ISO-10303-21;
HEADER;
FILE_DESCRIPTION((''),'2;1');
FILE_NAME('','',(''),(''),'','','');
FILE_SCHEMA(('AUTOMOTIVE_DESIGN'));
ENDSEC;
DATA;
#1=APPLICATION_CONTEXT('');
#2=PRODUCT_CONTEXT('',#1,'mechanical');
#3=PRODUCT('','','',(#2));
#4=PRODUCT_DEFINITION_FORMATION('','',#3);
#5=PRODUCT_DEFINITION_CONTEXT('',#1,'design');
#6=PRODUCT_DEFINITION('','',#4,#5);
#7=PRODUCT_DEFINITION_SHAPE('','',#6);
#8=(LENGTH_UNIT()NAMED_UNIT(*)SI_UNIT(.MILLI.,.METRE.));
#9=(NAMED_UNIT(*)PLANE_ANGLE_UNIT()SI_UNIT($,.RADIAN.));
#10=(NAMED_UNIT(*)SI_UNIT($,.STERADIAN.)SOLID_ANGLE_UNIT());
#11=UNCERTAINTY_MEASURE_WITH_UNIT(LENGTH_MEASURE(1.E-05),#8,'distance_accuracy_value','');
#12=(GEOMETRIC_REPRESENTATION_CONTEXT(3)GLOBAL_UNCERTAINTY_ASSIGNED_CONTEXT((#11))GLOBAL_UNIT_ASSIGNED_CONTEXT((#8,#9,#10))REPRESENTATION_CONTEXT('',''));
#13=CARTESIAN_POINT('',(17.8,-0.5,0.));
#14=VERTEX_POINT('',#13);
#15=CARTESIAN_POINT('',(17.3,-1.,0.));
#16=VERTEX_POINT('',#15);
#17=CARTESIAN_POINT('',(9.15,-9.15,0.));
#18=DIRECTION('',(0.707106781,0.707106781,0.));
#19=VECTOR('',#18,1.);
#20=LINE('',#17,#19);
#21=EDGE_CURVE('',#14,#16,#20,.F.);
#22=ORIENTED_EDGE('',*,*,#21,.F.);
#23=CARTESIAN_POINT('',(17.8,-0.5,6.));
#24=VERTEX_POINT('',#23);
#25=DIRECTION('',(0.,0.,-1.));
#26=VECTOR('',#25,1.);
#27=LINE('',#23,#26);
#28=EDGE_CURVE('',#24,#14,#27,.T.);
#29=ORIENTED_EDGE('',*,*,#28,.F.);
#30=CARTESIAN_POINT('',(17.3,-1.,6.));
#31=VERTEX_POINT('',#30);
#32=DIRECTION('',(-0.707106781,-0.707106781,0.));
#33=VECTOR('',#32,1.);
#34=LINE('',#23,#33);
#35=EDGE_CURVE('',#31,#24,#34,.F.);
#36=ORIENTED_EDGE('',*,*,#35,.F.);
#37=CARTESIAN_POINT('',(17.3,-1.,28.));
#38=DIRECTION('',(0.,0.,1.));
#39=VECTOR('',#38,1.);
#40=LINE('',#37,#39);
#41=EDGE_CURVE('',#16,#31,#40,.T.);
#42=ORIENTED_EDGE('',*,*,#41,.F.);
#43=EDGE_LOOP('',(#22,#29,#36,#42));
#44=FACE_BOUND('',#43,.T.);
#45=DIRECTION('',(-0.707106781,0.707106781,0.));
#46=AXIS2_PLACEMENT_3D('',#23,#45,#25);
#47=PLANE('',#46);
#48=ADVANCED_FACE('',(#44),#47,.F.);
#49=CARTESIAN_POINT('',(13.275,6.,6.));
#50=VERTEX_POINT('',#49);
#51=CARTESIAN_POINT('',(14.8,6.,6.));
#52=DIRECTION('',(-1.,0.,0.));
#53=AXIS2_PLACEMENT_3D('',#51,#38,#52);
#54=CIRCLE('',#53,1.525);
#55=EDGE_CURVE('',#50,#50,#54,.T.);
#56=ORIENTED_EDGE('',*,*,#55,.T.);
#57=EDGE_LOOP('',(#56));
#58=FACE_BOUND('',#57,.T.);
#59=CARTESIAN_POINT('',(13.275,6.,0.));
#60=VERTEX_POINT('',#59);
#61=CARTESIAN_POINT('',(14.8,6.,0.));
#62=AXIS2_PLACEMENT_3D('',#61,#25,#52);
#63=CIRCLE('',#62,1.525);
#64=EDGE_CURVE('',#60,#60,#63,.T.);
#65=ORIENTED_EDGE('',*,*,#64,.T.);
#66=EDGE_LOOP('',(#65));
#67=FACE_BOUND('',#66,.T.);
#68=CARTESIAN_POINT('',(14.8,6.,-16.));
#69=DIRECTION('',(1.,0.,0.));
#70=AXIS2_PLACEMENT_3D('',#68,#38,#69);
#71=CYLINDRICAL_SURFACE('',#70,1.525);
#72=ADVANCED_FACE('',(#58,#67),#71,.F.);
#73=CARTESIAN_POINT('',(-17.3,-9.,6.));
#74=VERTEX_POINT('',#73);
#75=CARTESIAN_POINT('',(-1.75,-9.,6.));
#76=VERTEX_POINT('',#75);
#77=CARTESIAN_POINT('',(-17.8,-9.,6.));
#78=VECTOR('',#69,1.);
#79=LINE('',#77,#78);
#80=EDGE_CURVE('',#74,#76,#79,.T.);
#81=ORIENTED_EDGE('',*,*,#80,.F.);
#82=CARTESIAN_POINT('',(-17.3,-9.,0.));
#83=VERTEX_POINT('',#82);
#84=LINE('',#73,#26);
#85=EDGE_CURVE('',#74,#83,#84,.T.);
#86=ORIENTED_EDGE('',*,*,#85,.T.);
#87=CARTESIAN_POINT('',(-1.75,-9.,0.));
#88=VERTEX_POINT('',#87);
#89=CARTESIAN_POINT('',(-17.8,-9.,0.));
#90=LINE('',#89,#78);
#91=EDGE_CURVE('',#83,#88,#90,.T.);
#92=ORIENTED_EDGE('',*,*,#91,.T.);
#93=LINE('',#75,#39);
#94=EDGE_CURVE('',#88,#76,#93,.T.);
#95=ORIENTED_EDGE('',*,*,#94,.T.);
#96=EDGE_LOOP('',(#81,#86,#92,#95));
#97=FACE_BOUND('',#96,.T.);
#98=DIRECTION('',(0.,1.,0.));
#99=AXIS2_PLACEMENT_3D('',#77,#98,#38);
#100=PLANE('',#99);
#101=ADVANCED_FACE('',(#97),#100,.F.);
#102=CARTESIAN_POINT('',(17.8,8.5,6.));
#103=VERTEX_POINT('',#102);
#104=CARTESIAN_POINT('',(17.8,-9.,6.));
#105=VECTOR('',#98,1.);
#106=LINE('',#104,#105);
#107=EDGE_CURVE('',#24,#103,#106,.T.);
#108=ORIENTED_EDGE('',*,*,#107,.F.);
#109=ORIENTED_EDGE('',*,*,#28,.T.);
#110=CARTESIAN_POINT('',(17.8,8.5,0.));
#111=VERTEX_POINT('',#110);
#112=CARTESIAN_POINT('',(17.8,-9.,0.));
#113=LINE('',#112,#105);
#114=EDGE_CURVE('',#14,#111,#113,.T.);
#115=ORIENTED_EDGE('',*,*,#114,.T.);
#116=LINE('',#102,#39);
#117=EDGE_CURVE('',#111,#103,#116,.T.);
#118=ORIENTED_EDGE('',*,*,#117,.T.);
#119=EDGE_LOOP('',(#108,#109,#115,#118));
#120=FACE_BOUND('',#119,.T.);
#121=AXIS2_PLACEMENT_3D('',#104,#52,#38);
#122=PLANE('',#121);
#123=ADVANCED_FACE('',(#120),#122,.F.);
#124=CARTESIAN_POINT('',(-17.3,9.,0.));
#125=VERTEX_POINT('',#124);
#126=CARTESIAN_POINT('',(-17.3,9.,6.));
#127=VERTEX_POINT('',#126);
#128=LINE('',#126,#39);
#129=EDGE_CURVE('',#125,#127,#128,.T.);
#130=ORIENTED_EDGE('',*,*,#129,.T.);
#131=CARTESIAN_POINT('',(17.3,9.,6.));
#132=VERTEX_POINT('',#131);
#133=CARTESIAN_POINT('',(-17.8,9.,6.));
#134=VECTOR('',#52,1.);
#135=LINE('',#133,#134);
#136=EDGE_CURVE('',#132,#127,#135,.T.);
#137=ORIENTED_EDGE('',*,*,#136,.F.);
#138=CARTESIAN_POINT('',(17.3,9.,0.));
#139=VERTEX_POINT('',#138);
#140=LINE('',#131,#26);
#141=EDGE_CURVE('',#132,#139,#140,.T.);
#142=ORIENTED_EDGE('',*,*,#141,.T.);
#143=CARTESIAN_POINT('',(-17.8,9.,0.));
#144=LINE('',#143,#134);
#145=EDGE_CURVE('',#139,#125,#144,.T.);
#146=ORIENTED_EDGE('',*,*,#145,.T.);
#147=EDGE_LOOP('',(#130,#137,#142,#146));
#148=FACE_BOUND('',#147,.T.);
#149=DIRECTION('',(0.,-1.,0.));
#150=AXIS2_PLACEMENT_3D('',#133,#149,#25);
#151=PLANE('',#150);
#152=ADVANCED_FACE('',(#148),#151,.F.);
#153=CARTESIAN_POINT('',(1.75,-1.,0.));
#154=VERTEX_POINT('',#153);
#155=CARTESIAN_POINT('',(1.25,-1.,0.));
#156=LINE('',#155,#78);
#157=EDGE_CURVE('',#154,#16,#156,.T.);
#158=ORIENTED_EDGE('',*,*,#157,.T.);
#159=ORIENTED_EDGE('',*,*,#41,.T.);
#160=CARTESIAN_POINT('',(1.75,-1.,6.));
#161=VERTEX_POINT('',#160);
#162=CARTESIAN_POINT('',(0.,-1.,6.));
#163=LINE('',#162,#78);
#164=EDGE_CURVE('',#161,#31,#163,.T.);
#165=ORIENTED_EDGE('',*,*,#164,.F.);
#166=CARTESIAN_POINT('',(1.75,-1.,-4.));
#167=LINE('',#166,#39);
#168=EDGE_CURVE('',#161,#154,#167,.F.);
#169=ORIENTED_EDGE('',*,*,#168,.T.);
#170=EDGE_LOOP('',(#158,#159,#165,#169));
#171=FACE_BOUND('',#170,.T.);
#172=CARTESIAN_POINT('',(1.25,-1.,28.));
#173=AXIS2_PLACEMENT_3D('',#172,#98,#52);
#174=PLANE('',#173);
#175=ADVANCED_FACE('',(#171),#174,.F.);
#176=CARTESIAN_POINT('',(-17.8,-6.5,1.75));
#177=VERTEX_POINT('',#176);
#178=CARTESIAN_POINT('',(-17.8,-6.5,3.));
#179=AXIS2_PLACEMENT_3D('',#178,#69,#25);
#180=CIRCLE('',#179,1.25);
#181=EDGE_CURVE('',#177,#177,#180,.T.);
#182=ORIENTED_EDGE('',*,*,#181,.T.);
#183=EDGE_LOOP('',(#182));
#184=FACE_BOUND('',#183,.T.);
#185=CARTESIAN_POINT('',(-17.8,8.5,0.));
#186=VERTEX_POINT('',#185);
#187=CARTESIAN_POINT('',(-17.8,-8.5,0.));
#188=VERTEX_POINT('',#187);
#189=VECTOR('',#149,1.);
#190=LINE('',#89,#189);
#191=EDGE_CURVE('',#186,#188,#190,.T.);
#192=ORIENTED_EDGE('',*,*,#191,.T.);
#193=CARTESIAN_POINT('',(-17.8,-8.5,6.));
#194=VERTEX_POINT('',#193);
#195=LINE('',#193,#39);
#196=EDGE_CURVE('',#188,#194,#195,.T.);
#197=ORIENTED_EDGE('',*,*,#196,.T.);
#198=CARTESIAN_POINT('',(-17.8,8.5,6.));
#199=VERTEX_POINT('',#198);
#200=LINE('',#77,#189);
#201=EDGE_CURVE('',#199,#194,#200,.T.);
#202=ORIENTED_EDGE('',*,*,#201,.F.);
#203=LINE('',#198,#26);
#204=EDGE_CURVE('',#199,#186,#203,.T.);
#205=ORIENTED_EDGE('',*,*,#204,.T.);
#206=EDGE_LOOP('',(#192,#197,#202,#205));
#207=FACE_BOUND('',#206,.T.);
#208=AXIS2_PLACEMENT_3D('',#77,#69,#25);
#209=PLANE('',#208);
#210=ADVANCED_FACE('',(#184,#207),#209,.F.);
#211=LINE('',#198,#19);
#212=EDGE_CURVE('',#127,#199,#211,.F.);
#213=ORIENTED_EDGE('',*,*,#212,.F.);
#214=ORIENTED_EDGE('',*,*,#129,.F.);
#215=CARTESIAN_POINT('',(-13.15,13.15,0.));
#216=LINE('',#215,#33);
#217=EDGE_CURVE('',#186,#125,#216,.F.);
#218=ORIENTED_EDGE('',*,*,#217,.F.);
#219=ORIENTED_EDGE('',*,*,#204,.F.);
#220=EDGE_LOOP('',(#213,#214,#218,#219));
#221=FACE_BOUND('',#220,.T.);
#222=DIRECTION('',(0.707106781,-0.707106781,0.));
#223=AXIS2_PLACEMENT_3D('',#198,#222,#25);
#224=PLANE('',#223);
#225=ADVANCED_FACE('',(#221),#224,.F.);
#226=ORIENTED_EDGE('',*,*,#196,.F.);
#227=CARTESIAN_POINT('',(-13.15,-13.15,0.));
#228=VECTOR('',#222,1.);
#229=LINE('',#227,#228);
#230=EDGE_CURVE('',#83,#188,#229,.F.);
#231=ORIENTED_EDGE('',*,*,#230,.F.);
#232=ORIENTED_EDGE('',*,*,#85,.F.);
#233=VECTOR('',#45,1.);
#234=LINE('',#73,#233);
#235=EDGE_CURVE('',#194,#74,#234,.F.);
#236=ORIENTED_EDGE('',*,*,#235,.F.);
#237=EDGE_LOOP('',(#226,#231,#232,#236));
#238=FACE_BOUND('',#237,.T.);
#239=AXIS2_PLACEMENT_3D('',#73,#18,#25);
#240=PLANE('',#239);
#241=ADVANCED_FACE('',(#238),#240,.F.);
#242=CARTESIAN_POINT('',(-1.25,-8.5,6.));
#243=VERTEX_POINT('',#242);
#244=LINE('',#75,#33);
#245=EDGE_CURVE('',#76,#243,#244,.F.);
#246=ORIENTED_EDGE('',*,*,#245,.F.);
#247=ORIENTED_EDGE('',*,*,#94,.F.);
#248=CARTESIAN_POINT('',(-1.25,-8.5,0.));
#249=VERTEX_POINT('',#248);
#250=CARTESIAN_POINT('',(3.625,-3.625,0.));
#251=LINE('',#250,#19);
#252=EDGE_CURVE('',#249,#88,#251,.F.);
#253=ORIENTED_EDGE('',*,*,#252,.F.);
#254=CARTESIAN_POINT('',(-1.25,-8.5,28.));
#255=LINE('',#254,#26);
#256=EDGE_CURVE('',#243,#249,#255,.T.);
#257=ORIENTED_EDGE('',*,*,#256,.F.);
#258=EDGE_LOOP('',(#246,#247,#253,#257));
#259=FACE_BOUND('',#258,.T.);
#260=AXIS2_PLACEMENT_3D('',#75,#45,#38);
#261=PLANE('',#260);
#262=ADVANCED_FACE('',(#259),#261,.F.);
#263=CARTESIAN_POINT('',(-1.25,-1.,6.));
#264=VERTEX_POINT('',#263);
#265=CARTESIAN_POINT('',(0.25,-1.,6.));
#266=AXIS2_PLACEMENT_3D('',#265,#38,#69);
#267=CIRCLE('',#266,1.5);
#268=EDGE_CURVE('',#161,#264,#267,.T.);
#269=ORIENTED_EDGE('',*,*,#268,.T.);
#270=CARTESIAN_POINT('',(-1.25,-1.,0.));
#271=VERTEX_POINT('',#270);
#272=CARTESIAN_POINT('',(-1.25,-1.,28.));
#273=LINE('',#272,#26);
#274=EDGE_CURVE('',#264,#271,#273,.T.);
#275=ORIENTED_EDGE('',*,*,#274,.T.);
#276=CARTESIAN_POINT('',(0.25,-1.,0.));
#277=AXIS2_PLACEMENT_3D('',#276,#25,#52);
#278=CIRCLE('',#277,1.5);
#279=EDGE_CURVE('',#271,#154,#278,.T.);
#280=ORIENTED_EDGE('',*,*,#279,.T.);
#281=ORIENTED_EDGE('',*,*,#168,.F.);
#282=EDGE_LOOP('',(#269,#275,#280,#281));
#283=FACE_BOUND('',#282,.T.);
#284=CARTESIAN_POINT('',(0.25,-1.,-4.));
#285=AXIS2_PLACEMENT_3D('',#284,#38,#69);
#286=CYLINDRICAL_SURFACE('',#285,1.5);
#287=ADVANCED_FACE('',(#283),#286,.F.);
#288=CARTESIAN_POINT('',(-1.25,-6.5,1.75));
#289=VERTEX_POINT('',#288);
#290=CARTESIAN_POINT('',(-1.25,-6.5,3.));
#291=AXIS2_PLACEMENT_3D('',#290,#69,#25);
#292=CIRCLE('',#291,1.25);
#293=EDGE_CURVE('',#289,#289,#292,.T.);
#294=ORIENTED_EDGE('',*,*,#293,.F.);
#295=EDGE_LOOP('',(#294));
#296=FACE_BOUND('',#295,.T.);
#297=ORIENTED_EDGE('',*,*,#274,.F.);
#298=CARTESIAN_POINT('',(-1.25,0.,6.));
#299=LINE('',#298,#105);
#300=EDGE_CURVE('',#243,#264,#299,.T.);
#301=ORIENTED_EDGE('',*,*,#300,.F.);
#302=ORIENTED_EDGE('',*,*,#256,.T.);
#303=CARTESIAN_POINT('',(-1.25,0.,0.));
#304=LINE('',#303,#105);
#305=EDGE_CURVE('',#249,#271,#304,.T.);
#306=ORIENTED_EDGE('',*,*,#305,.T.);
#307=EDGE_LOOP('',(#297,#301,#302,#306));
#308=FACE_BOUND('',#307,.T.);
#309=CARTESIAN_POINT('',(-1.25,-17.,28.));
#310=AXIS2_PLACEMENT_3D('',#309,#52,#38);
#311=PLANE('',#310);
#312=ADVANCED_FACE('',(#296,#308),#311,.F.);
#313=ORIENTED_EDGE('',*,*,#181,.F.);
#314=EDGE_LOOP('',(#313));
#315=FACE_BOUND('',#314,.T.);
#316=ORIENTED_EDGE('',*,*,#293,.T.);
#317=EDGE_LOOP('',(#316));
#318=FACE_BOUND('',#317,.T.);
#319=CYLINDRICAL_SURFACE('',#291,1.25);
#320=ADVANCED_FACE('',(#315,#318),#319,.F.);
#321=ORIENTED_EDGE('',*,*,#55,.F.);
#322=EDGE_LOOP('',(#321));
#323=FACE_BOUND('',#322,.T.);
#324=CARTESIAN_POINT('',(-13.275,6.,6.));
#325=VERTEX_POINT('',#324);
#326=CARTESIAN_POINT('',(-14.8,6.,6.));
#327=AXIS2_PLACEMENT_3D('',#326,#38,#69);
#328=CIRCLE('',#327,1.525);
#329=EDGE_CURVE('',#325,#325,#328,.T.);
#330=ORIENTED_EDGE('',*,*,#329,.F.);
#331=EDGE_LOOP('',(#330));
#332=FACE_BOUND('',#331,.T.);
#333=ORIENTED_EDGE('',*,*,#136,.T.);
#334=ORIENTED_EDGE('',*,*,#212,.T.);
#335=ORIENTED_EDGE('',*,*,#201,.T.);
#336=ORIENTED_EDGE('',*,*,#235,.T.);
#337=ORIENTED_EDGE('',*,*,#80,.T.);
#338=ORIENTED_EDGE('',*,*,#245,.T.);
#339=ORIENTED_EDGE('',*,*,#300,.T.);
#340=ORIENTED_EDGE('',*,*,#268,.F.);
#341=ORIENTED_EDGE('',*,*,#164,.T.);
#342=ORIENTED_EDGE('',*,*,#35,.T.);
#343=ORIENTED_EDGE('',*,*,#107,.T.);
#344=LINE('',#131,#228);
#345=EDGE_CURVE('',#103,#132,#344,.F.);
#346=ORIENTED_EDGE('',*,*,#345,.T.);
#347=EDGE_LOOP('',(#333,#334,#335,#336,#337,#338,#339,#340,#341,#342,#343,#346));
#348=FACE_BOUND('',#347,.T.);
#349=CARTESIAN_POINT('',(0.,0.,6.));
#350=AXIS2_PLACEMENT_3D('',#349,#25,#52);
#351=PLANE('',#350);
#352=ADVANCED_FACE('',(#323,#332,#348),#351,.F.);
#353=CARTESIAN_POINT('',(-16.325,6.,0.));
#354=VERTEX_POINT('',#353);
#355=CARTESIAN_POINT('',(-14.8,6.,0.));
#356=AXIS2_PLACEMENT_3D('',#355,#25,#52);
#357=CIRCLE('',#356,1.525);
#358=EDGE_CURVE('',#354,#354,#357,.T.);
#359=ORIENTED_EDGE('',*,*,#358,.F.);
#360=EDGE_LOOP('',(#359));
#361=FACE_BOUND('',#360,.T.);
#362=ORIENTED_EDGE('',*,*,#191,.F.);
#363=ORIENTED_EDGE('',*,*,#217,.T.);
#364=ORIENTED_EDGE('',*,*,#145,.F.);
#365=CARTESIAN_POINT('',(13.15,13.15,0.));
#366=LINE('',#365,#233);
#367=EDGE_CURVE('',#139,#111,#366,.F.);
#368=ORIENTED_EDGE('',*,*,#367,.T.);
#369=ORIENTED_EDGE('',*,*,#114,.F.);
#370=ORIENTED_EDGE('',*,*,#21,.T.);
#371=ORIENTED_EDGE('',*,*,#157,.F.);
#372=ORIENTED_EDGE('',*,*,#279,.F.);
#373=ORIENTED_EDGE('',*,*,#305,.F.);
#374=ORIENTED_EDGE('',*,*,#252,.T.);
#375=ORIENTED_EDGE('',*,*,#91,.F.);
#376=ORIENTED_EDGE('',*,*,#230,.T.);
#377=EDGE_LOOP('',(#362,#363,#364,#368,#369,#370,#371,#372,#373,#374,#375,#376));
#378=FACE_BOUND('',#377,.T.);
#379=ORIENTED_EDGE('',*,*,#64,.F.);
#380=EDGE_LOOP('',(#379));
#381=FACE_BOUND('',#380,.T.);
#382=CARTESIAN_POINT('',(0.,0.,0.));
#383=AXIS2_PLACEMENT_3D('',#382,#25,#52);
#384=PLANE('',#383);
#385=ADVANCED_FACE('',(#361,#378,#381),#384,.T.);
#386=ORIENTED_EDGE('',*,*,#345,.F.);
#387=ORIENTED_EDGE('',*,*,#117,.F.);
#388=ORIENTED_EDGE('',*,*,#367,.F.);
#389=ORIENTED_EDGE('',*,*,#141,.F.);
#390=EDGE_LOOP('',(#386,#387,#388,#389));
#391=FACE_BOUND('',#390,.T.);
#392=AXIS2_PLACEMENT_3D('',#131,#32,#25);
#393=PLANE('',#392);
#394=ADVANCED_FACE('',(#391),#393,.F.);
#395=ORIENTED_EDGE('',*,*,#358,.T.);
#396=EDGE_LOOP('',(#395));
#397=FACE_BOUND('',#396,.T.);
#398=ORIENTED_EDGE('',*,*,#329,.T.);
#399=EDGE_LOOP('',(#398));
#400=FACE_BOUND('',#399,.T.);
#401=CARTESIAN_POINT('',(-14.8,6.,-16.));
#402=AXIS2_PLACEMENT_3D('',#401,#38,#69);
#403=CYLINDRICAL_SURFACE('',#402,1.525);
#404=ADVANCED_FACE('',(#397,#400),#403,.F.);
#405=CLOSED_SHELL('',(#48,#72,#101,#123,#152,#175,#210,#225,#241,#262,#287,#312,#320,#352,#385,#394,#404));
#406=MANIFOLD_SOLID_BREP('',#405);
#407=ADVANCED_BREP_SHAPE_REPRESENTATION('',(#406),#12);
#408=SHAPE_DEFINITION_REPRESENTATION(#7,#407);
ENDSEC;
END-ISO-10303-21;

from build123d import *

# Parameters (mm, degrees)
SKETCH_1_W          = 35.6
SKETCH_1_H          = 18
EXTRUDE_1_DEPTH     = 6
SKETCH_3_W          = 2.5
SKETCH_3_H          = 16
CUT_EXTRUDE_1_DEPTH = 28
SKETCH_4_W          = 16.55
SKETCH_4_H          = 8
CUT_EXTRUDE_2_DEPTH = 10
HOLE_WIZARD_M3_1_D  = 2.5
SKETCH_8_R          = 1.525
CUT_EXTRUDE_3_DEPTH = 22
CHAMFER_1_SIZE      = 0.5
SKETCH_9_R          = 1.5
CUT_EXTRUDE_4_DEPTH = 10


with BuildPart() as part:
    # 草图1 → 凸台-拉伸1 (new body)
    with BuildSketch(Plane.XY):
        Rectangle(SKETCH_1_W, SKETCH_1_H)
    extrude(amount=EXTRUDE_1_DEPTH)

    # 草图3 → 切除-拉伸1 (cut)
    with BuildSketch(Plane(origin=(0, 0, 0), x_dir=(-1, 0, 0), z_dir=(0, 0, -1))):
        with Locations((0, -9)):
            Rectangle(SKETCH_3_W, SKETCH_3_H)
    extrude(amount=-CUT_EXTRUDE_1_DEPTH, mode=Mode.SUBTRACT)

    # 草图4 → 切除-拉伸2 (cut)
    with BuildSketch(Plane(origin=(0, 0, 0), x_dir=(-1, 0, 0), z_dir=(0, 0, -1))):
        with Locations((-9.525, -5)):
            Rectangle(SKETCH_4_W, SKETCH_4_H)
    extrude(amount=-CUT_EXTRUDE_2_DEPTH, mode=Mode.SUBTRACT)

    # M3 螺纹孔1 (through all)
    with Locations(Plane(origin=(-1.25, 0, 0), x_dir=(0, 0, -1), z_dir=(1, 0, 0))):
        with Locations((-3, -6.5)):
            Hole(HOLE_WIZARD_M3_1_D / 2)

    # 草图8 → 切除-拉伸3 (cut)
    with BuildSketch(Plane.XY.offset(6)):
        with Locations((-14.8, 6)):
            Circle(SKETCH_8_R)
        with Locations(Location((14.8, 6, 0), (0, 0, 180))):
            Circle(SKETCH_8_R)
    extrude(amount=-CUT_EXTRUDE_3_DEPTH, mode=Mode.SUBTRACT)

    # 倒角1
    chamfer_1_edges = [part.edges().sort_by_distance(p)[0] for p in [
        (-1.25, -9, 3),
        (17.8, -1, 3),
        (-17.8, -9, 3),
        (-17.8, 9, 3),
        (17.8, 9, 3),
    ]]
    chamfer(chamfer_1_edges, length=CHAMFER_1_SIZE)

    # 草图9 → 切除-拉伸4 (cut)
    with BuildSketch(Plane.XY.offset(6)):
        with Locations((0.25, -1)):
            Circle(SKETCH_9_R)
    extrude(amount=-CUT_EXTRUDE_4_DEPTH, mode=Mode.SUBTRACT)


solid = part.part
